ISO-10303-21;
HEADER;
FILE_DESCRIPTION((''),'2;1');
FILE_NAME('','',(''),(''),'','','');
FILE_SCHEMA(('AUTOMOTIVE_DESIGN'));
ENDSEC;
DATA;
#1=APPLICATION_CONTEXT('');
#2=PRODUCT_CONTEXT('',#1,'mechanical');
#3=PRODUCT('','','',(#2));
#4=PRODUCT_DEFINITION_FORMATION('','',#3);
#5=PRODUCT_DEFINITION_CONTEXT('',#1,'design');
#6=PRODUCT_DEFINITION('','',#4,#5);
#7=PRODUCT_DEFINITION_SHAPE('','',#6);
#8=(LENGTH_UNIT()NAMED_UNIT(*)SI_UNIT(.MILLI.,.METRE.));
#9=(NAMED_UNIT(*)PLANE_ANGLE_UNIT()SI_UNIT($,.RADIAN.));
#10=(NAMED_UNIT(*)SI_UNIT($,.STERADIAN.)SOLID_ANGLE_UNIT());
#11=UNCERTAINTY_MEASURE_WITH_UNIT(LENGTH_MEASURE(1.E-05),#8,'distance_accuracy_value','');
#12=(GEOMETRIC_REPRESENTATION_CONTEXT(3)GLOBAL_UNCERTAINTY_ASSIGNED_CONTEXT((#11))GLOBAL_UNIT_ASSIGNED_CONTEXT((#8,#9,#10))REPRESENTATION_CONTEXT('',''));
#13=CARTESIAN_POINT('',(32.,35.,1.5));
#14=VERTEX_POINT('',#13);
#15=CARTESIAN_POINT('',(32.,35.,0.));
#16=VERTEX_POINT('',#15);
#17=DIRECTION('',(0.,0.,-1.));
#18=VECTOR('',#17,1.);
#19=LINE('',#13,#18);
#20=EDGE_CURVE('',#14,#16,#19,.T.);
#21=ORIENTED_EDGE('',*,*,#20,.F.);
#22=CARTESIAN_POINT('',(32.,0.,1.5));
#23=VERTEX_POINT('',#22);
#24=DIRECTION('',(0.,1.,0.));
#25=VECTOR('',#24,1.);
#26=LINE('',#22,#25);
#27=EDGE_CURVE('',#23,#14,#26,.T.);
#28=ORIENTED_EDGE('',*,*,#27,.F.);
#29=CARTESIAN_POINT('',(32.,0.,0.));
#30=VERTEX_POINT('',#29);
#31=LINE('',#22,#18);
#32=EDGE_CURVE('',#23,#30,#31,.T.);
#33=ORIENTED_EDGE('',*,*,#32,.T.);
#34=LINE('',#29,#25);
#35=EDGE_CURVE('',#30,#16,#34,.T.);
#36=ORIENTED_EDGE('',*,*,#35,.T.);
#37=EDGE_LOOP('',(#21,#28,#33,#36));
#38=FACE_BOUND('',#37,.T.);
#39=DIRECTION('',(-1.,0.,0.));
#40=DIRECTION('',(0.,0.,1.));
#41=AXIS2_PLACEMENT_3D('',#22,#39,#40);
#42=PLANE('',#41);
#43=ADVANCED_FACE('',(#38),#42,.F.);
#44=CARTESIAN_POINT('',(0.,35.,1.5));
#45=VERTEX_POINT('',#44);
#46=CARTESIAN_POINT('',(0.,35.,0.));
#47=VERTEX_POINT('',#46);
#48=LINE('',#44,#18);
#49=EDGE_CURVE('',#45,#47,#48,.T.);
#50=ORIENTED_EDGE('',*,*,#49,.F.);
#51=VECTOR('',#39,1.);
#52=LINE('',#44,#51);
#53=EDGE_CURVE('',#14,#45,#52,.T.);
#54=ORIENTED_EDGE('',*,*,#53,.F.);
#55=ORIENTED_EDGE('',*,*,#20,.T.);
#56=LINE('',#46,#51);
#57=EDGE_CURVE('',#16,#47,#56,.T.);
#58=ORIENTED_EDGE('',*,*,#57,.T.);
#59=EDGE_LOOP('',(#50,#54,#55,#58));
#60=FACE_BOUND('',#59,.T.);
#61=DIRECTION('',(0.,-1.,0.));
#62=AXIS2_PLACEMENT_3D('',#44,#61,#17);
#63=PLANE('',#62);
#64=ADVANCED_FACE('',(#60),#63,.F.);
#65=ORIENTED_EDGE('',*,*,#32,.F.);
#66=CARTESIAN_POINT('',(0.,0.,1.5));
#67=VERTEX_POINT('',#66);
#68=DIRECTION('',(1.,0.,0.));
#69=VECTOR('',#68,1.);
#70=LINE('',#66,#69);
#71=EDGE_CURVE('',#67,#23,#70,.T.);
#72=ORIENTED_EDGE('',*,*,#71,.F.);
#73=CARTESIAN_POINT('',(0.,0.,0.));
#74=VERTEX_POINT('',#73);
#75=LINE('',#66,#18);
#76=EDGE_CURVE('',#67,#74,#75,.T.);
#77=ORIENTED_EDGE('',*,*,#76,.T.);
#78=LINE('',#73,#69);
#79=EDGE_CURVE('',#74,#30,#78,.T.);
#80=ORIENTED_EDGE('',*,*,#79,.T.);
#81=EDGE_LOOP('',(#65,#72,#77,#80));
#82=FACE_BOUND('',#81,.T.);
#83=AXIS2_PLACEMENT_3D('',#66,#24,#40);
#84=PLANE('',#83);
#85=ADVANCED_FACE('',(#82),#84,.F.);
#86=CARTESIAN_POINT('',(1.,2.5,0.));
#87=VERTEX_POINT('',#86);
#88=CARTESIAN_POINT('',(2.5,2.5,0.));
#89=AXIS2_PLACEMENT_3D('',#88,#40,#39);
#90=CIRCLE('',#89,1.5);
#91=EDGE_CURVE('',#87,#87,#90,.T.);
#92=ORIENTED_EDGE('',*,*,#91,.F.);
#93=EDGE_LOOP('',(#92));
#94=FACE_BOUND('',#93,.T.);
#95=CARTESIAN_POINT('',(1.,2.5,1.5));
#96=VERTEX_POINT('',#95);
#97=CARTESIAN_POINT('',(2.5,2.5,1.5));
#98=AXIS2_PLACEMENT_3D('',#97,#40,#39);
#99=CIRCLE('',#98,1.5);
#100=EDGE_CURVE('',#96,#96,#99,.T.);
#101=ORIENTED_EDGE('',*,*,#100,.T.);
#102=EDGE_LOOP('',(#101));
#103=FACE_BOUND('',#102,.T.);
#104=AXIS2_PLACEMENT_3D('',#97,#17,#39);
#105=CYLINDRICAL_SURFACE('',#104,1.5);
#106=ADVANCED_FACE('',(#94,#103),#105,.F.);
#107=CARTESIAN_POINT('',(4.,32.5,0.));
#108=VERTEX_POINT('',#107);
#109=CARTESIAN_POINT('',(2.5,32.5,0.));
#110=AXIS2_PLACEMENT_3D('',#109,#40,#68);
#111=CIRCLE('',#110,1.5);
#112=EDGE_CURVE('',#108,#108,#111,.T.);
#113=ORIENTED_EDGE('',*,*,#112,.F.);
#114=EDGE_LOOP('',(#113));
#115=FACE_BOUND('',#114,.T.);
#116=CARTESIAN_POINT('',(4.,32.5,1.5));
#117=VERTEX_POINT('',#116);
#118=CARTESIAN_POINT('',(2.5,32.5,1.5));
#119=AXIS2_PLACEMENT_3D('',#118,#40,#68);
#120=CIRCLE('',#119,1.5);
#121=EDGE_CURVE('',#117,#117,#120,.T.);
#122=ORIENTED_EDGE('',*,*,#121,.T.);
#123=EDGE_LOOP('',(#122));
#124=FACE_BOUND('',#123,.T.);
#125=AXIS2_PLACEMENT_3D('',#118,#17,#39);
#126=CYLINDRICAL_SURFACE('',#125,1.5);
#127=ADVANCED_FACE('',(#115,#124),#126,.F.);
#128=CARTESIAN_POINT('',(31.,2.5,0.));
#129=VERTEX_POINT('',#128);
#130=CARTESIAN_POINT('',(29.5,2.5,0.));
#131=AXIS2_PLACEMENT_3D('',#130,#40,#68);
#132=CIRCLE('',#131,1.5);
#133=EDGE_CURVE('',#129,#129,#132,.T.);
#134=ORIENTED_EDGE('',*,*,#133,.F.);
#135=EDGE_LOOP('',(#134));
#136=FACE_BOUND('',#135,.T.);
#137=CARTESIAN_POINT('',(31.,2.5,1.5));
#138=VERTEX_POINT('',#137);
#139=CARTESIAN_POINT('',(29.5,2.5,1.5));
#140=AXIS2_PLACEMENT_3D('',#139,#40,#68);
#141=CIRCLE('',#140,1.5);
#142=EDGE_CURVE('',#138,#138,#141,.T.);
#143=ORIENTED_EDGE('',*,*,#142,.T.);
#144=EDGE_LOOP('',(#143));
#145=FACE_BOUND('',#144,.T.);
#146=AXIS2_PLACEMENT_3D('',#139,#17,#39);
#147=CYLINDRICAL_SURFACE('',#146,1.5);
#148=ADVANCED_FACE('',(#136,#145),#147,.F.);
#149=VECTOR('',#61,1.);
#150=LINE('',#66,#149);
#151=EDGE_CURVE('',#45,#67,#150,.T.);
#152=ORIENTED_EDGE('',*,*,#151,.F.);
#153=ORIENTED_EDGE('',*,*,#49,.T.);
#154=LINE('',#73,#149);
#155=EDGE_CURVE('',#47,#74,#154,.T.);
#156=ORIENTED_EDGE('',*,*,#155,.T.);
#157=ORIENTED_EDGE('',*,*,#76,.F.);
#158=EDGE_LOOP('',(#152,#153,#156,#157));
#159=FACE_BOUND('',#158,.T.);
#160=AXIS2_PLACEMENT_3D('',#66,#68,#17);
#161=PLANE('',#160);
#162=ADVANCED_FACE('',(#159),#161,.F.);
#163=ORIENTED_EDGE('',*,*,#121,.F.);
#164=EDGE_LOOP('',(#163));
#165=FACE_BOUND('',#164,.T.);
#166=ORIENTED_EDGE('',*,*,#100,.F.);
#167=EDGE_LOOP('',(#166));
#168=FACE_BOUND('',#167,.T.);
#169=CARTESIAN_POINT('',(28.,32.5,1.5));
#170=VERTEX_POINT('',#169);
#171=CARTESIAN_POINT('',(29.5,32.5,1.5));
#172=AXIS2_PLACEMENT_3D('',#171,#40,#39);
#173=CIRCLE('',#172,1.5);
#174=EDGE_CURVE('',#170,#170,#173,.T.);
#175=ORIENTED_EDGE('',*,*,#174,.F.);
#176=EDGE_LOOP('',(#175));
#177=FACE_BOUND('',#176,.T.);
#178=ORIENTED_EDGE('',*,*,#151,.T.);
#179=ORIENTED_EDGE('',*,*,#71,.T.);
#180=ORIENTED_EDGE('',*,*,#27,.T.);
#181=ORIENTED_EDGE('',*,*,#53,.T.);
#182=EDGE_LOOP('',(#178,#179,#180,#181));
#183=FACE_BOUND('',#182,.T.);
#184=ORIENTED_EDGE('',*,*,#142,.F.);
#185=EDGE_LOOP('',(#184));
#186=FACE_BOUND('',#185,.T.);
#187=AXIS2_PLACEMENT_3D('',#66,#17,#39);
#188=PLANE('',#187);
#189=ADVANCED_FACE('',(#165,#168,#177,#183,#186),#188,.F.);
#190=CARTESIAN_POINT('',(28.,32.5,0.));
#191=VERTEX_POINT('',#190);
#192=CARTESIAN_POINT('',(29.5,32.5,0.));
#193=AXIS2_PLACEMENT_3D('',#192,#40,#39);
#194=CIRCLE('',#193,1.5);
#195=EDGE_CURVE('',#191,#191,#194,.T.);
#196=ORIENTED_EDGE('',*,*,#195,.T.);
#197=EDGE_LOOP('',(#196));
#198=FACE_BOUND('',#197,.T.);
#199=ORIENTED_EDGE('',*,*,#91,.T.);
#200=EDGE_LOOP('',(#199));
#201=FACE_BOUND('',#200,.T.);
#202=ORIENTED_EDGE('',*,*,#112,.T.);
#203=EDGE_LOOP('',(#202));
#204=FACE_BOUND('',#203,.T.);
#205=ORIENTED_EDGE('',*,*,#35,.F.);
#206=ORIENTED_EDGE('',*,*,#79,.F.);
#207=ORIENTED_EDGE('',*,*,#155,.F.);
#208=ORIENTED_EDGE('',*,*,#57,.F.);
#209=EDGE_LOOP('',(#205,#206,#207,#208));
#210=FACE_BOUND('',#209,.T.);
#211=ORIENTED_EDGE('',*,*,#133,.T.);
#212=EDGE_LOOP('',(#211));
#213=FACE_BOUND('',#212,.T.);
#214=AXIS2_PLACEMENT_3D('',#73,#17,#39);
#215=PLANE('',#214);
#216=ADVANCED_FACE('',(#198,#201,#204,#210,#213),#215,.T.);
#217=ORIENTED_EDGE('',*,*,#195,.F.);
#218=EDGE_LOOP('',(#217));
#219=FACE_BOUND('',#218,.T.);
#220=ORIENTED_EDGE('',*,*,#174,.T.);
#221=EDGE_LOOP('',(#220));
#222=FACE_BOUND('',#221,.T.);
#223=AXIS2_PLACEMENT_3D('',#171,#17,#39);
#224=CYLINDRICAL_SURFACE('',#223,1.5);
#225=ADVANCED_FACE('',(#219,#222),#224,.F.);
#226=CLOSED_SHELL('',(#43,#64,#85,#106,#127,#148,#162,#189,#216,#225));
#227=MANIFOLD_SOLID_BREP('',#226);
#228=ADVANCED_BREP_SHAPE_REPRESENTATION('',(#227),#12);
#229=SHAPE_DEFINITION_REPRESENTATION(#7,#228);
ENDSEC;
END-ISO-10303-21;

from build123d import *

# Parameters (mm, degrees)
SKETCH_1_W      = 32
SKETCH_1_H      = 35
SKETCH_1_R      = 1.5
EXTRUDE_1_DEPTH = 1.5


with BuildPart() as part:
    # Эскиз1 → Бобышка-Вытянуть1 (new body)
    with BuildSketch(Plane.XY):
        with Locations((16, 17.5)):
            Rectangle(SKETCH_1_W, SKETCH_1_H)
        with Locations((2.5, 32.5)):
            Circle(SKETCH_1_R, mode=Mode.SUBTRACT)
        with Locations((29.5, 32.5)):
            Circle(SKETCH_1_R, mode=Mode.SUBTRACT)
        with Locations((29.5, 2.5)):
            Circle(SKETCH_1_R, mode=Mode.SUBTRACT)
        with Locations((2.5, 2.5)):
            Circle(SKETCH_1_R, mode=Mode.SUBTRACT)
    extrude(amount=EXTRUDE_1_DEPTH)


solid = part.part
